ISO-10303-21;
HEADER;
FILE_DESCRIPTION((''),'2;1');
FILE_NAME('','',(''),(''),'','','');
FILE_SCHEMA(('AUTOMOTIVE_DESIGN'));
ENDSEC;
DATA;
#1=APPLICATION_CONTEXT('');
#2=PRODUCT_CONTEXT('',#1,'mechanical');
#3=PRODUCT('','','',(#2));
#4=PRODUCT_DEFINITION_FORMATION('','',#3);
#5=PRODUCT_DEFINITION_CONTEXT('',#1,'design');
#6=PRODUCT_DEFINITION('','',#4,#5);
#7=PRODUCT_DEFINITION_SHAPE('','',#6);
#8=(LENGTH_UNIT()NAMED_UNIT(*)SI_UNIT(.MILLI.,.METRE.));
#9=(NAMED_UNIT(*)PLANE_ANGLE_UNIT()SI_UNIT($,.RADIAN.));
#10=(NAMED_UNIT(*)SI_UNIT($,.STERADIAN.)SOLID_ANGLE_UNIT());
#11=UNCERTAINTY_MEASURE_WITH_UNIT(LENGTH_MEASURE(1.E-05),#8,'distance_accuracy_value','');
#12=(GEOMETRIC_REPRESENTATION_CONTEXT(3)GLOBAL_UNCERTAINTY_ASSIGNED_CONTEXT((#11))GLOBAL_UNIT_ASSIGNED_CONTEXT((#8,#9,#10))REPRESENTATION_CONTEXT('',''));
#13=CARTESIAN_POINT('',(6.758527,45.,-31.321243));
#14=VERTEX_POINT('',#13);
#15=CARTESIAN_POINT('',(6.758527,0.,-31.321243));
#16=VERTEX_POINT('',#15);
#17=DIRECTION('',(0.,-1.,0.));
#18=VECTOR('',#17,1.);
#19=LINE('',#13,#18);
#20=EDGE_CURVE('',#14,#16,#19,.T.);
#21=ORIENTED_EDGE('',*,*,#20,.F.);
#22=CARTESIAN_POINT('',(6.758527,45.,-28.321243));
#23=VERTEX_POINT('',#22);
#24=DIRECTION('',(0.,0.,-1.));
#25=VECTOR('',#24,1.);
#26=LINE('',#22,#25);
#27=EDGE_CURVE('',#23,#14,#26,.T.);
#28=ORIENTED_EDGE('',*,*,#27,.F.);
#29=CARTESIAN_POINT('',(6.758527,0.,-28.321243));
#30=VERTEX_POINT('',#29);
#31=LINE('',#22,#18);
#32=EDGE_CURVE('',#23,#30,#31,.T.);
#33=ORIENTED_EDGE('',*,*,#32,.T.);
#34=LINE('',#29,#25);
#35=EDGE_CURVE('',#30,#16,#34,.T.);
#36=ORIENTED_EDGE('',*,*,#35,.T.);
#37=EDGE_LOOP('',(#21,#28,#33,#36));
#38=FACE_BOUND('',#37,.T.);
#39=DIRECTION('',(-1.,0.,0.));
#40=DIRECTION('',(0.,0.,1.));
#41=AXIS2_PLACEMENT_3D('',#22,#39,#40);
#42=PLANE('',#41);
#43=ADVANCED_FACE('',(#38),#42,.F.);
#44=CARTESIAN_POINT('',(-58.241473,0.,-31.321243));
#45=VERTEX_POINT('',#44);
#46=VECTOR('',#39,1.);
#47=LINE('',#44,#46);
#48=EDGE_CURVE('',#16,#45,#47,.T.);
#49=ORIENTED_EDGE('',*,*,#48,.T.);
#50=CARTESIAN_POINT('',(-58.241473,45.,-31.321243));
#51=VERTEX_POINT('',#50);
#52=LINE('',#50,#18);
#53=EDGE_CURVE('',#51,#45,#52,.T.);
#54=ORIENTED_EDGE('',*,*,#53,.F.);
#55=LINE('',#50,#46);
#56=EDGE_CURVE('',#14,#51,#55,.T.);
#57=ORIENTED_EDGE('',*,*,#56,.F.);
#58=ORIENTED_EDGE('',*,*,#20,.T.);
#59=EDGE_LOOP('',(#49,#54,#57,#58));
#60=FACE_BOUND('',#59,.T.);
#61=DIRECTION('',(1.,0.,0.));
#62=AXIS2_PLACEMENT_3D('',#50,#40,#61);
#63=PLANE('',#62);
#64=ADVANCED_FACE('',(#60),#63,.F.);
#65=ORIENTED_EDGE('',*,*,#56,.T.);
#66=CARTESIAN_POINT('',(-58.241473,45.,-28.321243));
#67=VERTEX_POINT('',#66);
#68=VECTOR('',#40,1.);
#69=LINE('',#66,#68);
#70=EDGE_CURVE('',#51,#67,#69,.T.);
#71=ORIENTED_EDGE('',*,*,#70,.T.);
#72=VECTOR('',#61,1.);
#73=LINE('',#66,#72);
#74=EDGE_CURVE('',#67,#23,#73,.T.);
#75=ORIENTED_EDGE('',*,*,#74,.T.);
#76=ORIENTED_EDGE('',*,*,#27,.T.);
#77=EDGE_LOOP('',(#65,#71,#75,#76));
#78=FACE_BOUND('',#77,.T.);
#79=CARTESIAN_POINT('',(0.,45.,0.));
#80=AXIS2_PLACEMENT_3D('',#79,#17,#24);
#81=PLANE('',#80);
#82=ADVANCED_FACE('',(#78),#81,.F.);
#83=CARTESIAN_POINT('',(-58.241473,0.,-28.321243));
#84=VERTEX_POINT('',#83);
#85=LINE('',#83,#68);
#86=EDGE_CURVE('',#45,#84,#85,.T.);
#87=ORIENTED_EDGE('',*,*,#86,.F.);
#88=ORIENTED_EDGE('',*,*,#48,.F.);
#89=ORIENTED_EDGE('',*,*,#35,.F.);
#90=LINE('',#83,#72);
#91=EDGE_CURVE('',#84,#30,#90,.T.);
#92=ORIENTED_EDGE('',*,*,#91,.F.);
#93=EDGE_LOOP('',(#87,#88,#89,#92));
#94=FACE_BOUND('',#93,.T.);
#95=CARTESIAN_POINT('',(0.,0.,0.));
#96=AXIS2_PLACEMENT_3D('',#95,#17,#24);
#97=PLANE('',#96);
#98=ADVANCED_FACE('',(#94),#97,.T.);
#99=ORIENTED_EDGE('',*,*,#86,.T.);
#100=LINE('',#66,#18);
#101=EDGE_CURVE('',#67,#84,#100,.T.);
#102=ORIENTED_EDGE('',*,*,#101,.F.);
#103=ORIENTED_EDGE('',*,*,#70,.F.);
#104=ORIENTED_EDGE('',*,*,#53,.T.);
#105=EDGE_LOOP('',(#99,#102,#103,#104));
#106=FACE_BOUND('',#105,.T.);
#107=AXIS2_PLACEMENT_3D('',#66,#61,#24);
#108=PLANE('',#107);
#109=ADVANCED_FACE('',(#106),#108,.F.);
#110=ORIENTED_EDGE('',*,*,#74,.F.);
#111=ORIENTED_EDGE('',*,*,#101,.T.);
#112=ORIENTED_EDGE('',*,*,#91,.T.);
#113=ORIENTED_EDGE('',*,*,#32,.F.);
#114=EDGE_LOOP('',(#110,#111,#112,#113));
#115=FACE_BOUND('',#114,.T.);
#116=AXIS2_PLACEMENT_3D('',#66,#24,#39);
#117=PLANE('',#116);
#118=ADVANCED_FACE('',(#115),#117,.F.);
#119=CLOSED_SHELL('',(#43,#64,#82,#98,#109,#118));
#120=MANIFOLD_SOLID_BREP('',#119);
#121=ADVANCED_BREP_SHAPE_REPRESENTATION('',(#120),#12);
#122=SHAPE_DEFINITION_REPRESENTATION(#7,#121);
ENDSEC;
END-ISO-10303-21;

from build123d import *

# Parameters (mm, degrees)
SKETCH_1_W      = 65
SKETCH_1_H      = 3
EXTRUDE_1_DEPTH = 45


with BuildPart() as part:
    # 草图1 → 凸台-拉伸1 (new body)
    with BuildSketch(Plane(origin=(0, 0, 0), x_dir=(1, 0, 0), z_dir=(0, 1, 0))):
        with Locations((-25.741473481, 29.821243096)):
            Rectangle(SKETCH_1_W, SKETCH_1_H)
    extrude(amount=EXTRUDE_1_DEPTH)


solid = part.part
